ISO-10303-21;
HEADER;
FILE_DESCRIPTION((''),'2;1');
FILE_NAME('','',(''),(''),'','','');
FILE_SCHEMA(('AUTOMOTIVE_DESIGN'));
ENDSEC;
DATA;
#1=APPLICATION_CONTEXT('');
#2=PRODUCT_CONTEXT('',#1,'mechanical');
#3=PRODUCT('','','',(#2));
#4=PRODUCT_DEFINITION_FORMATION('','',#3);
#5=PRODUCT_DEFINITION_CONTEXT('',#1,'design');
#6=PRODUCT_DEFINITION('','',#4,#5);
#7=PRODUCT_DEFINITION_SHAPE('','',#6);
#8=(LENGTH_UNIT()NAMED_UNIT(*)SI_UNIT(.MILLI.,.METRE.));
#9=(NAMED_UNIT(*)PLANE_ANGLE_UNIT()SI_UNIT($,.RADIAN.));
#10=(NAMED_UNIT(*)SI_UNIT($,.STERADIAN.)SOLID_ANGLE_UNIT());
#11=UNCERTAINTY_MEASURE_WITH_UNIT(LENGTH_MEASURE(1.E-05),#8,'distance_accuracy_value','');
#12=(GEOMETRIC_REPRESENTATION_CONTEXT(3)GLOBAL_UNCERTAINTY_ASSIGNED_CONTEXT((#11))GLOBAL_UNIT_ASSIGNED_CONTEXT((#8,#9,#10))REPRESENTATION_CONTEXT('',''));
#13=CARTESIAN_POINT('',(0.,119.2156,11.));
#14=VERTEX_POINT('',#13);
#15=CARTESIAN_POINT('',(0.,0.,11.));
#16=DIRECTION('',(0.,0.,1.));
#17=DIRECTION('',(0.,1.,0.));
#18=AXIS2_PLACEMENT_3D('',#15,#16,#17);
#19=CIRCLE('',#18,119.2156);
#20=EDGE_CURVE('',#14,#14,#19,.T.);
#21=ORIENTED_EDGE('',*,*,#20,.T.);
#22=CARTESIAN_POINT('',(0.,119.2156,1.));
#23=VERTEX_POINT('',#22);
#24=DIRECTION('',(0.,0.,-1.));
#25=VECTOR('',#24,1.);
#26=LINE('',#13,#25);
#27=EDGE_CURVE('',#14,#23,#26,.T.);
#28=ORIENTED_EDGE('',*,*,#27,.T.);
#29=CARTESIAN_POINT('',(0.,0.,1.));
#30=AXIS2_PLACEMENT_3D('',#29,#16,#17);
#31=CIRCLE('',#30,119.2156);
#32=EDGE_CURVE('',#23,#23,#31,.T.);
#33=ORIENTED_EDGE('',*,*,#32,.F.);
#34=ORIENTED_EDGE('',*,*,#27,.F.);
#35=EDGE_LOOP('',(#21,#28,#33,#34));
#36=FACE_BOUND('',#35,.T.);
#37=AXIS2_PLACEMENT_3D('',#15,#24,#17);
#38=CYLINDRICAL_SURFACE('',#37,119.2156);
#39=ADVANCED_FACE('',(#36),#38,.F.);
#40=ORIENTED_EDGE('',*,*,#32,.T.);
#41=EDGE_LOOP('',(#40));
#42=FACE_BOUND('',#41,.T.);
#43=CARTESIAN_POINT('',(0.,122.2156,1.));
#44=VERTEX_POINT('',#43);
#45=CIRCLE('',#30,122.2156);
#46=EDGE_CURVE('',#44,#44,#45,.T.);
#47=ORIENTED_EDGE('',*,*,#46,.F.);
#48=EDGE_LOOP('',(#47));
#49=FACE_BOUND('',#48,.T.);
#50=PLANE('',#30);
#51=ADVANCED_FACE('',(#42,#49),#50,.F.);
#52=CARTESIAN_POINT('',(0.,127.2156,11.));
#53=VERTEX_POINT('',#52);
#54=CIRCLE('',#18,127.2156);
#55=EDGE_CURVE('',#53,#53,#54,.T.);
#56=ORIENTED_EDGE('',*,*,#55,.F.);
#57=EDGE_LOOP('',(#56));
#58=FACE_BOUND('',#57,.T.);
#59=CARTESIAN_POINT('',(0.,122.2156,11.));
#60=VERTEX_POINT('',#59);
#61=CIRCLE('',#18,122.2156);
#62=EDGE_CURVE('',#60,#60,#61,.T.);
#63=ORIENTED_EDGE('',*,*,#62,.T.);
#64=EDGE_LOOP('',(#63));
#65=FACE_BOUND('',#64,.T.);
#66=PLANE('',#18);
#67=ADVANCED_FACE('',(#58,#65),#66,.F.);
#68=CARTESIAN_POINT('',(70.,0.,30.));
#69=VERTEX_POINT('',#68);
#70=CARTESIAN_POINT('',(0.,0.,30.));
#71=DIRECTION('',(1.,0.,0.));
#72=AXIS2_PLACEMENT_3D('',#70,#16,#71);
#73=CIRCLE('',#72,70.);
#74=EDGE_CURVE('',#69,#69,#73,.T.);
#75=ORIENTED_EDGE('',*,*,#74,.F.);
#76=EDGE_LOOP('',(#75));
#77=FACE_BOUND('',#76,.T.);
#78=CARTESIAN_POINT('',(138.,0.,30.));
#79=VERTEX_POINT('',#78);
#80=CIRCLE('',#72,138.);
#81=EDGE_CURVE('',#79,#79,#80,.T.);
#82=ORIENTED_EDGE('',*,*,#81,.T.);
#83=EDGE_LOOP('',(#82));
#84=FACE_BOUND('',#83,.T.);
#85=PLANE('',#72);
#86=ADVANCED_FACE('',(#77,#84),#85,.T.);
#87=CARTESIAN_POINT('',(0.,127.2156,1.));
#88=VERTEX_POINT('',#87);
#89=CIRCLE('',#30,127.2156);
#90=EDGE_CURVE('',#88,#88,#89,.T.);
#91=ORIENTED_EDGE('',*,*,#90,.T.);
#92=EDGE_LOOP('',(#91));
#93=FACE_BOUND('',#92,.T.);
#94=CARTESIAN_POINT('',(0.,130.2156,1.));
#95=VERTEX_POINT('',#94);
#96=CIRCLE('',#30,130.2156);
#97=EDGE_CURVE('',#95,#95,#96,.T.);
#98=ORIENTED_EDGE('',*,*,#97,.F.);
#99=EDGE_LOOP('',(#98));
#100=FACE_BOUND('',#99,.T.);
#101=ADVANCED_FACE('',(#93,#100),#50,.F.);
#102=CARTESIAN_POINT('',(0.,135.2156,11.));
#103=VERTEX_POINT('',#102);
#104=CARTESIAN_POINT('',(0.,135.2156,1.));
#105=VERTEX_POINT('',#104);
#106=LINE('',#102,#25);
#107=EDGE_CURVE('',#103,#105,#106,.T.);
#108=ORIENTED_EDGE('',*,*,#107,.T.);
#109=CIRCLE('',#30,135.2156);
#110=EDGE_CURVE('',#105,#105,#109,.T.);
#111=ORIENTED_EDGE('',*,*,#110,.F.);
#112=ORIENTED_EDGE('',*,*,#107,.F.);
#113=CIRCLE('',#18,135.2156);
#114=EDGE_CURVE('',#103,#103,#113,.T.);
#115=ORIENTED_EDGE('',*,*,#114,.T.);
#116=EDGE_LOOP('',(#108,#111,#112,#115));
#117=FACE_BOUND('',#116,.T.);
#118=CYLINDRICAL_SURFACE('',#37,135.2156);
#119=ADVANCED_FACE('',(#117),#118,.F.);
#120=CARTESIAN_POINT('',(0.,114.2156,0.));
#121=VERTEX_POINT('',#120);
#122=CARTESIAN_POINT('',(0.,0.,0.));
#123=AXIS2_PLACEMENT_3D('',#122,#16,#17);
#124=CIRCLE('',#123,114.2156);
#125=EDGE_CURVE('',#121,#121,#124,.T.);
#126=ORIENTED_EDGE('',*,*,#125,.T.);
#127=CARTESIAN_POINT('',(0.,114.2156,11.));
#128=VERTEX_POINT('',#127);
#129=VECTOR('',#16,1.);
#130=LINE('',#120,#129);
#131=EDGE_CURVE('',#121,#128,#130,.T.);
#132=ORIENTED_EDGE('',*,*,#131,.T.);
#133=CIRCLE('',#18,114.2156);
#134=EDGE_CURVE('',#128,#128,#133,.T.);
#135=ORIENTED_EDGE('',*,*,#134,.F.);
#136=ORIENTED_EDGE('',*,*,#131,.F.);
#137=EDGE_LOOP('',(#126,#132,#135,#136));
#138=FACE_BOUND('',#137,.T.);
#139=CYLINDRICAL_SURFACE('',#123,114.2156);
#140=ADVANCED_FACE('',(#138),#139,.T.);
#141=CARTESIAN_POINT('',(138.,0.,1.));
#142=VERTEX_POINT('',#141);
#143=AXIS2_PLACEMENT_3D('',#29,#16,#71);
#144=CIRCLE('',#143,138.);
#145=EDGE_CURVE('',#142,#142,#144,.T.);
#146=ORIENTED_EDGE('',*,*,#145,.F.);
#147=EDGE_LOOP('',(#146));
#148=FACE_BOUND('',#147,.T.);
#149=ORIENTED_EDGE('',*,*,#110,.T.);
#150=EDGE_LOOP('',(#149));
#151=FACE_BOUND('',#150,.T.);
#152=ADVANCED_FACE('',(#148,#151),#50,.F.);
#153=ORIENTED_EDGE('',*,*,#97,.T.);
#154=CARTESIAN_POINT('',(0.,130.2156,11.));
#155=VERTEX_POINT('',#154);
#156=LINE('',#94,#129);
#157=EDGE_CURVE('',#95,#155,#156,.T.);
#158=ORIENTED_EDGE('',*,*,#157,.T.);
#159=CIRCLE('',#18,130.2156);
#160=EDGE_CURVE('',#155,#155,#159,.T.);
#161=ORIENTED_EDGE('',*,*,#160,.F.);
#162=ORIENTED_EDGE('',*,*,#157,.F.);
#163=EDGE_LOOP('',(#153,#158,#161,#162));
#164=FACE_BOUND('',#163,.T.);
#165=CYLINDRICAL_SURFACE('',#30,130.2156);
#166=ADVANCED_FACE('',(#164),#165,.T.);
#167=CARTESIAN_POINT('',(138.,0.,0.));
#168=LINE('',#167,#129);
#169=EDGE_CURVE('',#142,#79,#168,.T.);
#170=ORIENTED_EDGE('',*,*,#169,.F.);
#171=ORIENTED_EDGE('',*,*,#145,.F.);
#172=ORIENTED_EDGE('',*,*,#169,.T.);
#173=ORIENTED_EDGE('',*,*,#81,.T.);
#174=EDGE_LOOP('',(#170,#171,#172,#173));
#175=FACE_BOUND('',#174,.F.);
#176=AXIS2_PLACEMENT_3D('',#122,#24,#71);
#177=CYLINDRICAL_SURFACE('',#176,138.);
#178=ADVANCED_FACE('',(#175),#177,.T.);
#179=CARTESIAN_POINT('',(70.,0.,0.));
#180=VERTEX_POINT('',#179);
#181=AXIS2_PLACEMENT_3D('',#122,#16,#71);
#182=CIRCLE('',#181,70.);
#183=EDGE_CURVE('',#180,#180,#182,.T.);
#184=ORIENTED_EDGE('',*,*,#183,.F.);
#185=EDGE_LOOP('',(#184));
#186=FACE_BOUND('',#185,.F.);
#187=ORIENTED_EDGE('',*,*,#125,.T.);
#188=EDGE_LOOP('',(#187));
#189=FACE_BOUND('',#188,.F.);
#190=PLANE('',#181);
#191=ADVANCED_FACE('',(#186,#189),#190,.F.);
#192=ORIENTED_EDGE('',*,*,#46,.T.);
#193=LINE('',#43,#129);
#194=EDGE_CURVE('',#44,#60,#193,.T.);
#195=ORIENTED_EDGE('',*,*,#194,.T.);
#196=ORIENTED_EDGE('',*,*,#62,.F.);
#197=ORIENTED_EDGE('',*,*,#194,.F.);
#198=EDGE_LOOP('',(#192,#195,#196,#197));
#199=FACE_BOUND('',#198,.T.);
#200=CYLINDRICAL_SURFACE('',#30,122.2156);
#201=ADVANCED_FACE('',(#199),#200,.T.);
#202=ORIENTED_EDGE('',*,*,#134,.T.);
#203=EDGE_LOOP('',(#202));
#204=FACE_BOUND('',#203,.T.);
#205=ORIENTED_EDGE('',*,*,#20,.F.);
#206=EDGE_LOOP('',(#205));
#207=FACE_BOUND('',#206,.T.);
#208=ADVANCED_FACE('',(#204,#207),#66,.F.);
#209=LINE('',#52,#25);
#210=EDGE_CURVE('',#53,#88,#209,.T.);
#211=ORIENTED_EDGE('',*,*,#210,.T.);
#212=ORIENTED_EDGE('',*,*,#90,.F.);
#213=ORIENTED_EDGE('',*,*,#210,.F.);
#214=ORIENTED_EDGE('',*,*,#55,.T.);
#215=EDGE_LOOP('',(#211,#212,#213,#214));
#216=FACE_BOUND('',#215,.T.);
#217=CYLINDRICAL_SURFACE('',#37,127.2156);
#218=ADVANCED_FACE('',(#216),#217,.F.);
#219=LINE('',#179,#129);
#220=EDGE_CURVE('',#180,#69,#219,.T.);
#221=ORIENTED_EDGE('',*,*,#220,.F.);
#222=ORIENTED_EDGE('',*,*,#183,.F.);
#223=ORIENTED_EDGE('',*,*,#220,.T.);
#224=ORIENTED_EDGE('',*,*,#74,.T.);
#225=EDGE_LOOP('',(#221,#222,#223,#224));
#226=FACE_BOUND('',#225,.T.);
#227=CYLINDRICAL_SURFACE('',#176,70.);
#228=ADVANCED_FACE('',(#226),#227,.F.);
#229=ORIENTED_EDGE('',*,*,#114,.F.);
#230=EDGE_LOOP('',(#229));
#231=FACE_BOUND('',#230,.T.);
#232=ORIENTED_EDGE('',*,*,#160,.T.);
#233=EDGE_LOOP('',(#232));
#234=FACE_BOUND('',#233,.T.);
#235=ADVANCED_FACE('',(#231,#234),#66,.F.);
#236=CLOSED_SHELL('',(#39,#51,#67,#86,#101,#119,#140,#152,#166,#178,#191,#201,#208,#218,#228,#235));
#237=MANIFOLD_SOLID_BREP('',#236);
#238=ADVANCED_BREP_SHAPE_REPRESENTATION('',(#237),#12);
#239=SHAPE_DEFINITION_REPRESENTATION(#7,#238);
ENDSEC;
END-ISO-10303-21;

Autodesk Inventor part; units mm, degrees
ref_plane "YZ Plane" through (0, 0, 0) normal (1, 0, 0) x (0, 1, 0)
ref_plane "XZ Plane" through (0, 0, 0) normal (0, 1, 0) x (-1, 0, 0)
ref_plane "XY Plane" through (0, 0, 0) normal (0, 0, 1) x (1, 0, 0)
sketch "Sketch2" plane through (0, 0, 0) normal (0, 0, 1) x (1, 0, 0)
  circle A0 centre (0, 0) radius 70
  circle A1 centre (0, 0) radius 138
  dimension "d1" = 140
  dimension "d2" = 276
extrude "Extrusion1" add sketch "Sketch2" along normal blind 30
sketch "Sketch5" plane through (0, 0, 0) normal (1, 0, 0) x (0, 1, 0)
  line L0 (-138, 0) -> (138, 0) projected
  line L1 (72.7156, 0) -> (114.2156, 0)
  line L2 (114.2156, 0) -> (114.2156, 11)
  line L3 (114.2156, 11) -> (119.2156, 11)
  line L4 (119.2156, 11) -> (119.2156, 1)
  line L5 (119.2156, 1) -> (122.2156, 1)
  line L6 (122.2156, 1) -> (122.2156, 11)
  line L7 (122.2156, 11) -> (127.2156, 11)
  line L8 (127.2156, 11) -> (127.2156, 1)
  line L9 (127.2156, 1) -> (130.2156, 1)
  line L10 (130.2156, 1) -> (130.2156, 11)
  line L11 (130.2156, 11) -> (135.2156, 11)
  line L12 (135.2156, 11) -> (135.2156, 1)
  line L13 (135.2156, 1) -> (138, 1)
  line L14 (138, 0) -> (138, 30) projected
  line L15 (0, -6) -> (0, 36) projected
  point P0 (0, 0)
  dimension "d31" = 41.5
  dimension "d32" = 11
  dimension "d33" = 23.7844
  dimension "d34" = 5
  dimension "d35" = 10
  dimension "d36" = 3
  dimension "d37" = 10
  dimension "d38" = 5
  dimension "d39" = 10
  dimension "d40" = 3
  dimension "d41" = 10
  dimension "d42" = 5
  dimension "d43" = 10
revolve "Revolution3" cut sketch "Sketch5" angle 360 about axis through (0, 0, -10) along (0, 0, 1)
properties part number "lavirinthos_exodos"
